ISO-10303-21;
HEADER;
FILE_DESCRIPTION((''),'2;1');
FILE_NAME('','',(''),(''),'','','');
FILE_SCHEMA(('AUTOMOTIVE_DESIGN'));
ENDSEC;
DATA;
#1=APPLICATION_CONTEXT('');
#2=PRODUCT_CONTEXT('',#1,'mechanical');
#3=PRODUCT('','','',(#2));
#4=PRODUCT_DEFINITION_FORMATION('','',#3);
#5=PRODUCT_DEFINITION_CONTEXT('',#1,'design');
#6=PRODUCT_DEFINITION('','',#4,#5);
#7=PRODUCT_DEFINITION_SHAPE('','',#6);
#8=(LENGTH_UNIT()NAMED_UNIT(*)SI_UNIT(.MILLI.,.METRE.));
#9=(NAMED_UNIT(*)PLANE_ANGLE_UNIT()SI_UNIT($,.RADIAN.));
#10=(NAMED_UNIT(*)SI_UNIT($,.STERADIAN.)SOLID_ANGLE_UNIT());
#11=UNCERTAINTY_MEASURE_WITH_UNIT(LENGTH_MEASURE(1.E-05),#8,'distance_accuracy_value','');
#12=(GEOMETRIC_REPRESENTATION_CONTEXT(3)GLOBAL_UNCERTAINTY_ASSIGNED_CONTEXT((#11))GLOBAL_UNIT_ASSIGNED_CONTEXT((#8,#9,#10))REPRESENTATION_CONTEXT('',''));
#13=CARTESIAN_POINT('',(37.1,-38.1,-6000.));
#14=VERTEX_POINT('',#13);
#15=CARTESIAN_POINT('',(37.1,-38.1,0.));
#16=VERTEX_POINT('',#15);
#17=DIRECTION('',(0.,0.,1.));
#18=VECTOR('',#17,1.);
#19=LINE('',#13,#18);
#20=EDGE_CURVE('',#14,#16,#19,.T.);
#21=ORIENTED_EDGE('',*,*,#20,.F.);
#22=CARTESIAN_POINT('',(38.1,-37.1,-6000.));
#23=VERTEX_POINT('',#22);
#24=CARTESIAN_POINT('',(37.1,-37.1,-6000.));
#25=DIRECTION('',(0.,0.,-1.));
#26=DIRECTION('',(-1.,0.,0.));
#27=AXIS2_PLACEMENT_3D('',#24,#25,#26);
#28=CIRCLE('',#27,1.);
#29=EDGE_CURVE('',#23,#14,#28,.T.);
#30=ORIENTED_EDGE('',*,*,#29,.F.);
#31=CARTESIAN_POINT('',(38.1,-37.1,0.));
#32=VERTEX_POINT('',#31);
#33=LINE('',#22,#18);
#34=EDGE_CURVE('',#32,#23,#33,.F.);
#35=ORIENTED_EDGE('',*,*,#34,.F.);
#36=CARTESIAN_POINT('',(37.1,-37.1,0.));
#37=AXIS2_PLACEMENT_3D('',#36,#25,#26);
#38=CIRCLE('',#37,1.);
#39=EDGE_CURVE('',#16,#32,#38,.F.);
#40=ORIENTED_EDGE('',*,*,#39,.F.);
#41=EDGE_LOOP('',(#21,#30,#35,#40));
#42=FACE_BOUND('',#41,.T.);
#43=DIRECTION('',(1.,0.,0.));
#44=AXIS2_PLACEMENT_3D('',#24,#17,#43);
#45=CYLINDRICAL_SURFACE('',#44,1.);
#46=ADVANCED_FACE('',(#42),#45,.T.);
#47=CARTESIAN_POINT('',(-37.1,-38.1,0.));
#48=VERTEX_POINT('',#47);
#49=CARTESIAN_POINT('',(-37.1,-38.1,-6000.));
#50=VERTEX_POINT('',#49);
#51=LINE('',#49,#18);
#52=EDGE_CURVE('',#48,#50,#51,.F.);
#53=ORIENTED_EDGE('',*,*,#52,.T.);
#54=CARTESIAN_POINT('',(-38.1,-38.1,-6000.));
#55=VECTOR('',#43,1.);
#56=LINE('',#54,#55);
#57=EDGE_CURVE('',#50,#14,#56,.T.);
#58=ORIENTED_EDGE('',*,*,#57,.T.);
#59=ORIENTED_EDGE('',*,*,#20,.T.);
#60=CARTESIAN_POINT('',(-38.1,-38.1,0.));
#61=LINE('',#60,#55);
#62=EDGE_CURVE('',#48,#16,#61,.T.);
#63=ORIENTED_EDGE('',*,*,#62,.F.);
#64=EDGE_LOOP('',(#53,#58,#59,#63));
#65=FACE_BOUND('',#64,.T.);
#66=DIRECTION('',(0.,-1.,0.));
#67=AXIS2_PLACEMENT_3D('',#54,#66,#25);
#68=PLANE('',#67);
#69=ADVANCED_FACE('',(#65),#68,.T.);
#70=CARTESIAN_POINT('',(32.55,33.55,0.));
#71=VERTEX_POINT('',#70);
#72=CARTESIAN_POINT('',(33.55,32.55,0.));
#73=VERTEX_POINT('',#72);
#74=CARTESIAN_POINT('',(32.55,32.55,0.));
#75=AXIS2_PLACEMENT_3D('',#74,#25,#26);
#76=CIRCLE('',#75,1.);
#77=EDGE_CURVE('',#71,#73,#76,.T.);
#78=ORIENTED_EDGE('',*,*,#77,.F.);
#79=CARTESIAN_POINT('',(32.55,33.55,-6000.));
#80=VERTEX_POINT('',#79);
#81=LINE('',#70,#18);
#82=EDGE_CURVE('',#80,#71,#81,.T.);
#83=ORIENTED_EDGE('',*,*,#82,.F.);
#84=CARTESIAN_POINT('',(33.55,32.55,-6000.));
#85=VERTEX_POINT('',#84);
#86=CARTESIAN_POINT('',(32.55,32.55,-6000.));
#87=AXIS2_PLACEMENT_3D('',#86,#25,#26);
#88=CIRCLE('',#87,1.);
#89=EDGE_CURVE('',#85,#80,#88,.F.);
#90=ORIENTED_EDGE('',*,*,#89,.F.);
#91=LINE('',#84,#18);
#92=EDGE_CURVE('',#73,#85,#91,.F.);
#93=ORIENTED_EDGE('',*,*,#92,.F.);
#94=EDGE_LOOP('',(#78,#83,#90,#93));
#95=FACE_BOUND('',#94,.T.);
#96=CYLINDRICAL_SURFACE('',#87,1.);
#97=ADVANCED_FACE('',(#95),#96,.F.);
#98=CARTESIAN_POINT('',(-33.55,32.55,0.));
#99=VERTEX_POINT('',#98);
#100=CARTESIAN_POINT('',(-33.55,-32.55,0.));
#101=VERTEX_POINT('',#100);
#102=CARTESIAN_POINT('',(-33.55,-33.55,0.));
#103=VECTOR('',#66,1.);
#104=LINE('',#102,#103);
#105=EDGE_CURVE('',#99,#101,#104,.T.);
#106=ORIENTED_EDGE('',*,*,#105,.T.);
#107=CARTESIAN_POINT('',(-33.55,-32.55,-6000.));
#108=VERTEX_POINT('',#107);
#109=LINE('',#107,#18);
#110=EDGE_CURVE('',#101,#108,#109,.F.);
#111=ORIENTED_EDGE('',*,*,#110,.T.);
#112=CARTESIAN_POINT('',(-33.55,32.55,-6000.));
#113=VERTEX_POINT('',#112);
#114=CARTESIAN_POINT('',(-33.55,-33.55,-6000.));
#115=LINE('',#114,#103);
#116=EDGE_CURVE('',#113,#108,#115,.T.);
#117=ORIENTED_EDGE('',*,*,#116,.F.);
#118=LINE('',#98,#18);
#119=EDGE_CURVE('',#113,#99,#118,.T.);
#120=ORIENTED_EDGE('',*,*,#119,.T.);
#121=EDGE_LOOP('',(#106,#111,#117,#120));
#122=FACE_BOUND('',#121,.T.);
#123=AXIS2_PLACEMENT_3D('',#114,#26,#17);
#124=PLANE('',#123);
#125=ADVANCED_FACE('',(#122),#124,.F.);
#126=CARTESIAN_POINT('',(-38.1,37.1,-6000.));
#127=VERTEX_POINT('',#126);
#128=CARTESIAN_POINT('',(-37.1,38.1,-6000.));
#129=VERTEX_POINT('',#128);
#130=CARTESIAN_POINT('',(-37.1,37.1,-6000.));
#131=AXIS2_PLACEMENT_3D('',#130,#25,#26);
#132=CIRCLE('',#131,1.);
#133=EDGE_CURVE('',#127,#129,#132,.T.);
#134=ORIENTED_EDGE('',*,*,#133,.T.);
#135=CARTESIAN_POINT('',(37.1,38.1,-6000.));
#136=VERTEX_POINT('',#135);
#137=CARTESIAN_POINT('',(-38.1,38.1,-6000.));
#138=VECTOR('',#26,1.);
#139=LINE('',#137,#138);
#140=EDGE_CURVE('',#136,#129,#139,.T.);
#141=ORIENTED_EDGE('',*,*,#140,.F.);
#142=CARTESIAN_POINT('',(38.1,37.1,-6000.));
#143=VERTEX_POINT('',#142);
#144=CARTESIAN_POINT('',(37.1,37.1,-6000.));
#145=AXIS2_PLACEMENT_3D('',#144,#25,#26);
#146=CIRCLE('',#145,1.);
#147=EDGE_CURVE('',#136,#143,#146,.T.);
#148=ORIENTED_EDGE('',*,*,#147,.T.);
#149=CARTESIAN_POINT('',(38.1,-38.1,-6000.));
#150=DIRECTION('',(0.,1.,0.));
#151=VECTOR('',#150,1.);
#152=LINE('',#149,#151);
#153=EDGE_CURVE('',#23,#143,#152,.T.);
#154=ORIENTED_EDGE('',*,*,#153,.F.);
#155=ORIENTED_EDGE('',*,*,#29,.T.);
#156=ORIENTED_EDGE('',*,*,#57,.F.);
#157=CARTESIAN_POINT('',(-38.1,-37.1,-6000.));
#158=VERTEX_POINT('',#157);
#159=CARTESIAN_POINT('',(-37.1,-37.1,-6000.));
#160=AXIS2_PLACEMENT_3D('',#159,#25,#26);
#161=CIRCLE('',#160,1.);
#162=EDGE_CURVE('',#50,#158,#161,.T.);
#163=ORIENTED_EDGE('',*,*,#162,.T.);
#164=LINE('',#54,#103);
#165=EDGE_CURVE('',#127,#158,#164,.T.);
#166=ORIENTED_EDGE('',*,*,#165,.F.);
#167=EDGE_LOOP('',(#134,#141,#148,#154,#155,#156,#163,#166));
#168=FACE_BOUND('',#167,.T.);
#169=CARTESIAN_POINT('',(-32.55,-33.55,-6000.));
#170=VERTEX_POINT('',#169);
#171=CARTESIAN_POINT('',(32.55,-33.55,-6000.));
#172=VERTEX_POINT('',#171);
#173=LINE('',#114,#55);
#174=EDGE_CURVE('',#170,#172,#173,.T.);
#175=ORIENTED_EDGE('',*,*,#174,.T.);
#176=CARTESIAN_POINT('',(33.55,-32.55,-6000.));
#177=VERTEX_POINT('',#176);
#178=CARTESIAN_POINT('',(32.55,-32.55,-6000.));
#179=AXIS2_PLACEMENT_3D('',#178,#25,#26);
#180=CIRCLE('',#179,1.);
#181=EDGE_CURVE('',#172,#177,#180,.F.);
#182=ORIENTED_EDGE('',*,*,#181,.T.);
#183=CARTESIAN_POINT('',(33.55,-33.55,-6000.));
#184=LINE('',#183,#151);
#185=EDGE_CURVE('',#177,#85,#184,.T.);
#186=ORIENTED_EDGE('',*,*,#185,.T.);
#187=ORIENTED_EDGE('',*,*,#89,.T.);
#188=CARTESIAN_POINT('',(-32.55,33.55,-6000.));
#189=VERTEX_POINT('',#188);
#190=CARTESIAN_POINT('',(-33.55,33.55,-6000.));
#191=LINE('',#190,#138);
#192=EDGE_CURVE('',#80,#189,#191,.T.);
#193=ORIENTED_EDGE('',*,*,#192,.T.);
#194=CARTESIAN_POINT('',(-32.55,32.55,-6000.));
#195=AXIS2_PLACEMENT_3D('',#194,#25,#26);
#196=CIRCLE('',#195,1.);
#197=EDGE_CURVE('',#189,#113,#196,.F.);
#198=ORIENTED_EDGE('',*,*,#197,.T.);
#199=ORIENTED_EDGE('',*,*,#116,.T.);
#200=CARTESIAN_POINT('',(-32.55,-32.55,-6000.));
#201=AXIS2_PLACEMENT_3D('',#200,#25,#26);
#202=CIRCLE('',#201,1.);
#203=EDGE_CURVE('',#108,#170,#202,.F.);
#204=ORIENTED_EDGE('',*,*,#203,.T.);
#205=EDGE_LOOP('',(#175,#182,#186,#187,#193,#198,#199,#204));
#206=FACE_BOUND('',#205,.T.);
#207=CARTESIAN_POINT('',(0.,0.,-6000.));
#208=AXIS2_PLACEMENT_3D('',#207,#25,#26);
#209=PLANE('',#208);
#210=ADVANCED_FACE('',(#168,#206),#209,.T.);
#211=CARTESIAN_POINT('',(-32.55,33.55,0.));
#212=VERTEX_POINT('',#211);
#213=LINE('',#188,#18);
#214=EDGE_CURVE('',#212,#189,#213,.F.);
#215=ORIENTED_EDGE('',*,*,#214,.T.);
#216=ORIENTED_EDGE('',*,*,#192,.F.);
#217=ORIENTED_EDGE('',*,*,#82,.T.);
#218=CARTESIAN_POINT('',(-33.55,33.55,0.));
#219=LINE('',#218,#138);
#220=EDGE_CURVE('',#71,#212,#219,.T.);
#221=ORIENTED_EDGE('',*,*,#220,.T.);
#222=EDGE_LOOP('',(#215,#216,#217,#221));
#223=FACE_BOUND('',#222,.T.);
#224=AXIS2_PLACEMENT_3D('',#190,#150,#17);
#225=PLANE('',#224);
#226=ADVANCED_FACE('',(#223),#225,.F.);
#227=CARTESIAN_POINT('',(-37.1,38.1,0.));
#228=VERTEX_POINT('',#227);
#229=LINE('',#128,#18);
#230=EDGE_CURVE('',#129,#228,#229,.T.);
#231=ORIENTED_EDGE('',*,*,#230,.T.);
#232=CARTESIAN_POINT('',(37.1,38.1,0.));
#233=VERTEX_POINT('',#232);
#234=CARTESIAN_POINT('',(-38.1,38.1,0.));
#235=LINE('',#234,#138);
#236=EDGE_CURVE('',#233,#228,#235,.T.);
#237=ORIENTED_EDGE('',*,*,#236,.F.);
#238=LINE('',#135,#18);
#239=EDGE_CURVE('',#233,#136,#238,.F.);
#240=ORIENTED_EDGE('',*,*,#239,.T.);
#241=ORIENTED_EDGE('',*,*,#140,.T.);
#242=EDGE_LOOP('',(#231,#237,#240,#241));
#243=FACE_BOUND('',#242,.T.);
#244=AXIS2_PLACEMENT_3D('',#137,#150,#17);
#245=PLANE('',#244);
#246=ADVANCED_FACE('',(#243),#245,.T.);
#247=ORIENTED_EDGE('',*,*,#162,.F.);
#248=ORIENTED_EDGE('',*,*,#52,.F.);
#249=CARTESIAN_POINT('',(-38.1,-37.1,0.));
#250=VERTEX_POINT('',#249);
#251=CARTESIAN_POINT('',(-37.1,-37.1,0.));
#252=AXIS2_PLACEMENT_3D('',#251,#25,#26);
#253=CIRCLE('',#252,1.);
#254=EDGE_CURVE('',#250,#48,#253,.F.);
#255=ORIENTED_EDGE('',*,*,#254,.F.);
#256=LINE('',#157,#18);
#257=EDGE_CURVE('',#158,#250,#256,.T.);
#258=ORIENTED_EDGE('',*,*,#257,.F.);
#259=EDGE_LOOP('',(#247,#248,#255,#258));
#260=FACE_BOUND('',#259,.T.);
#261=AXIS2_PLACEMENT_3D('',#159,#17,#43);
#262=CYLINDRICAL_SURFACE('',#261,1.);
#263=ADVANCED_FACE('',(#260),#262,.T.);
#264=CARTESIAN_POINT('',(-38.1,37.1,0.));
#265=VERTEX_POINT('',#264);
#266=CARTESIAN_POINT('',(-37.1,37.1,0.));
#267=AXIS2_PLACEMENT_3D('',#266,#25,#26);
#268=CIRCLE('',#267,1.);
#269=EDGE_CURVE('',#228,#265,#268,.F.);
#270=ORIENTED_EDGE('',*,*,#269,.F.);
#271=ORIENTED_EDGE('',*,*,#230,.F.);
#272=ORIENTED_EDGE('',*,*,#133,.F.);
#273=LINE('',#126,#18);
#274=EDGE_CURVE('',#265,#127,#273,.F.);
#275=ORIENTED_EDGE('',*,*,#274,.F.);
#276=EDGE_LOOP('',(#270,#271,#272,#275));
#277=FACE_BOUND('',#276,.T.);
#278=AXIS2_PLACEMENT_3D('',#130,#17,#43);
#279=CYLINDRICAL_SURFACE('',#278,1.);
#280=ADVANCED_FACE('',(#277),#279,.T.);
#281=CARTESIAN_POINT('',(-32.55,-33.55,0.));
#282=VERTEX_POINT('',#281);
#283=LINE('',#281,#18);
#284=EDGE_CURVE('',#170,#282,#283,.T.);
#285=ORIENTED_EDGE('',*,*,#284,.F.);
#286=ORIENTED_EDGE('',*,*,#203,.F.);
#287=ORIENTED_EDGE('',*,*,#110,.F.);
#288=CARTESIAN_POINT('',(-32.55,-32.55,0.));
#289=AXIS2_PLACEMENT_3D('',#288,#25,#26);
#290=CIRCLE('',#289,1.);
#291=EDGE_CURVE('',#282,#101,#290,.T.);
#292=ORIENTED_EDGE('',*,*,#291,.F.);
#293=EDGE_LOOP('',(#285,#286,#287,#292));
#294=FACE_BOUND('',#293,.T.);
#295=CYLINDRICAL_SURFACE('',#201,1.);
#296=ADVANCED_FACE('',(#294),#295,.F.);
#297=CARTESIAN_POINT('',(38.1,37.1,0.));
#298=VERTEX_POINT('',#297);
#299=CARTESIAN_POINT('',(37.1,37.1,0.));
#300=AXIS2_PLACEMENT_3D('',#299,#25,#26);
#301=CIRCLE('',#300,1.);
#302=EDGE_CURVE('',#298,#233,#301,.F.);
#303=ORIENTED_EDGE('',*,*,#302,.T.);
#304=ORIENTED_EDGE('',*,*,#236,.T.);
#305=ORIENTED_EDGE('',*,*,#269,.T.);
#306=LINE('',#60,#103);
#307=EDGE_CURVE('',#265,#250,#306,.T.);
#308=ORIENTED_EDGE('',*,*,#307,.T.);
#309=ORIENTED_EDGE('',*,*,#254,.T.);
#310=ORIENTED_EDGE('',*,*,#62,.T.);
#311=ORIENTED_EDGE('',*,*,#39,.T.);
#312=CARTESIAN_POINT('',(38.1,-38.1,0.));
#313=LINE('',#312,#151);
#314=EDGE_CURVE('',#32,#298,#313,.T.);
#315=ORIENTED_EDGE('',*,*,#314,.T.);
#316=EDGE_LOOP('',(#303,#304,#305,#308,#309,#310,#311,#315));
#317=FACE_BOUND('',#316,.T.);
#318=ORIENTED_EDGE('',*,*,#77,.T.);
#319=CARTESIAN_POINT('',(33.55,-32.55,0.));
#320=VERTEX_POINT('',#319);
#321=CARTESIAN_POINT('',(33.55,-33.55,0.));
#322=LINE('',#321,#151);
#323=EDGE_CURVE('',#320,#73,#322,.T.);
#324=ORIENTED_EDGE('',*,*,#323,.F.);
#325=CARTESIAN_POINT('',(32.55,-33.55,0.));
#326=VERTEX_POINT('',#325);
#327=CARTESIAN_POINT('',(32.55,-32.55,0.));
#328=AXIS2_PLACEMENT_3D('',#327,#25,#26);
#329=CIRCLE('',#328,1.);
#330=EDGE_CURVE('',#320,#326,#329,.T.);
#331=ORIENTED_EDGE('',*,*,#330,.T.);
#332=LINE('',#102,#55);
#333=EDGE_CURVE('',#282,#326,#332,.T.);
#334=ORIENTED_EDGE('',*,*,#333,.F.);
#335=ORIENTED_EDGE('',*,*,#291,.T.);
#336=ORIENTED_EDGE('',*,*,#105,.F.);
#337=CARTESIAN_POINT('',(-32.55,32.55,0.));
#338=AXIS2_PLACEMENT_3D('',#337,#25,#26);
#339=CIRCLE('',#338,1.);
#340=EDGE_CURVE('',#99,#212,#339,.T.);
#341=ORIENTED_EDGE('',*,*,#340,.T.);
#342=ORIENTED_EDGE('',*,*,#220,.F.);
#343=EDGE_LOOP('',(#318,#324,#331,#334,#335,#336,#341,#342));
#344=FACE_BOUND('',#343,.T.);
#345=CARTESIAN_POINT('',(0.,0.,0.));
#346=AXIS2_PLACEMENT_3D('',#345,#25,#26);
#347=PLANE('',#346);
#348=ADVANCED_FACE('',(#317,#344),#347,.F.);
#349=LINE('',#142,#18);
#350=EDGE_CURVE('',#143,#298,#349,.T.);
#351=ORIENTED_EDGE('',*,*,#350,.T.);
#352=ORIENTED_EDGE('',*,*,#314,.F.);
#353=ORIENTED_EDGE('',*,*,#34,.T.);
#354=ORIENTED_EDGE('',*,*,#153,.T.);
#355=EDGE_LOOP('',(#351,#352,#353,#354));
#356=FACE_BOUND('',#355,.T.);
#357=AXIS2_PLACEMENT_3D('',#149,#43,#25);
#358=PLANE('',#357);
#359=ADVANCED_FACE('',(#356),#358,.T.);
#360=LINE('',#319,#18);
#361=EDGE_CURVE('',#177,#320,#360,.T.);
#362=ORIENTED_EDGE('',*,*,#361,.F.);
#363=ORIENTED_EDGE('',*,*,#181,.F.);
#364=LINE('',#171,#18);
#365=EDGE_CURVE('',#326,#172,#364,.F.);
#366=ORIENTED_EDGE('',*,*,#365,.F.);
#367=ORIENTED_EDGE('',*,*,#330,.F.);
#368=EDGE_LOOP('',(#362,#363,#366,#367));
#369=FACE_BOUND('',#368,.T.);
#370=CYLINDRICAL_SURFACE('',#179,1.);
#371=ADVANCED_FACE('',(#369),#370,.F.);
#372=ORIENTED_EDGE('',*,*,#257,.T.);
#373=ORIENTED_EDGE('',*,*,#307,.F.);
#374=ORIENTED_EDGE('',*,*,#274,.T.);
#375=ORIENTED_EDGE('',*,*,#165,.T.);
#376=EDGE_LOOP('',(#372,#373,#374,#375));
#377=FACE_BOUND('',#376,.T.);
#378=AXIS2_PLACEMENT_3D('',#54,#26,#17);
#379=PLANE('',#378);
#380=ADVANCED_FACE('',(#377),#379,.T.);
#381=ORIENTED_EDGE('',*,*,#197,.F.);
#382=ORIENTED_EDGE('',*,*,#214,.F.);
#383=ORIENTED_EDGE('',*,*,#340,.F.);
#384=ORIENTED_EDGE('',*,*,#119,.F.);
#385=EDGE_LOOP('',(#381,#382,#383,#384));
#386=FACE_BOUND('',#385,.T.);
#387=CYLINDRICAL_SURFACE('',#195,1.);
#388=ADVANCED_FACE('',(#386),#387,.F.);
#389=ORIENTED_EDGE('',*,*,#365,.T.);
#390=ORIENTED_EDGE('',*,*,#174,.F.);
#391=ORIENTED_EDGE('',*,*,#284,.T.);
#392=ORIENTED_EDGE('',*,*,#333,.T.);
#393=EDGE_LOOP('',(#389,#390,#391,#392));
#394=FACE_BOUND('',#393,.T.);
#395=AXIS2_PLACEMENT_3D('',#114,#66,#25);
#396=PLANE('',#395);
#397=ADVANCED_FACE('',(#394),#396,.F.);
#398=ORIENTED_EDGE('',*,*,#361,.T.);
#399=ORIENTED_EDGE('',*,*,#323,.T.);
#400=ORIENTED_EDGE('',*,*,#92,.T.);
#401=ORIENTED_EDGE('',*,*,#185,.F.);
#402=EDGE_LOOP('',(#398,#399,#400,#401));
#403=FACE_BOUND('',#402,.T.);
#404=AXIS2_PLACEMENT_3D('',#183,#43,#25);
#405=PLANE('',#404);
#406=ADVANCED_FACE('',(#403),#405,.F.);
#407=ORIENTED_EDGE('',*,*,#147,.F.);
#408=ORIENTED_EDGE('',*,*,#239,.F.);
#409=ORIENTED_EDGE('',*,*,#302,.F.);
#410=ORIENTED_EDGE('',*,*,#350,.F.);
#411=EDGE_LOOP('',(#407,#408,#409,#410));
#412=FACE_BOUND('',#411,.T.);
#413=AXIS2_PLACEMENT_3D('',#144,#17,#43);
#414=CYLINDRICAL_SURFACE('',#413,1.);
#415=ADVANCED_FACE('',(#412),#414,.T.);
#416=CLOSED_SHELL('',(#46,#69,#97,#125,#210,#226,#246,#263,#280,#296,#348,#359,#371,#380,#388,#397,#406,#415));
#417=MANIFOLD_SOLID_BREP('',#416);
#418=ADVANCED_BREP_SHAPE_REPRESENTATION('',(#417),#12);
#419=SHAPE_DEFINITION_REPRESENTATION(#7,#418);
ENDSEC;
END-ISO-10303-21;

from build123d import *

# Parameters (mm, degrees)
CROQUIS1_W              = 76.2
CROQUIS1_H              = 76.2
CROQUIS1_W_2            = 67.1
CROQUIS1_H_2            = 67.1
SALIENTE_EXTRUIR1_DEPTH = 6000
REDONDEO1_R             = 1


with BuildPart() as part:
    # Croquis1 → Saliente-Extruir1 (new body)
    with BuildSketch(Plane.XY):
        Rectangle(CROQUIS1_W, CROQUIS1_H)
        Rectangle(CROQUIS1_W_2, CROQUIS1_H_2, mode=Mode.SUBTRACT)
    extrude(amount=-SALIENTE_EXTRUIR1_DEPTH)

    # Redondeo1
    redondeo1_edges = [part.edges().sort_by_distance(p)[0] for p in [
        (33.55, -33.55, -3000),
        (-33.55, -33.55, -3000),
        (-33.55, 33.55, -3000),
        (33.55, 33.55, -3000),
        (38.1, -38.1, -3000),
        (-38.1, -38.1, -3000),
        (-38.1, 38.1, -3000),
        (38.1, 38.1, -3000),
    ]]
    fillet(redondeo1_edges, radius=REDONDEO1_R)


solid = part.part
